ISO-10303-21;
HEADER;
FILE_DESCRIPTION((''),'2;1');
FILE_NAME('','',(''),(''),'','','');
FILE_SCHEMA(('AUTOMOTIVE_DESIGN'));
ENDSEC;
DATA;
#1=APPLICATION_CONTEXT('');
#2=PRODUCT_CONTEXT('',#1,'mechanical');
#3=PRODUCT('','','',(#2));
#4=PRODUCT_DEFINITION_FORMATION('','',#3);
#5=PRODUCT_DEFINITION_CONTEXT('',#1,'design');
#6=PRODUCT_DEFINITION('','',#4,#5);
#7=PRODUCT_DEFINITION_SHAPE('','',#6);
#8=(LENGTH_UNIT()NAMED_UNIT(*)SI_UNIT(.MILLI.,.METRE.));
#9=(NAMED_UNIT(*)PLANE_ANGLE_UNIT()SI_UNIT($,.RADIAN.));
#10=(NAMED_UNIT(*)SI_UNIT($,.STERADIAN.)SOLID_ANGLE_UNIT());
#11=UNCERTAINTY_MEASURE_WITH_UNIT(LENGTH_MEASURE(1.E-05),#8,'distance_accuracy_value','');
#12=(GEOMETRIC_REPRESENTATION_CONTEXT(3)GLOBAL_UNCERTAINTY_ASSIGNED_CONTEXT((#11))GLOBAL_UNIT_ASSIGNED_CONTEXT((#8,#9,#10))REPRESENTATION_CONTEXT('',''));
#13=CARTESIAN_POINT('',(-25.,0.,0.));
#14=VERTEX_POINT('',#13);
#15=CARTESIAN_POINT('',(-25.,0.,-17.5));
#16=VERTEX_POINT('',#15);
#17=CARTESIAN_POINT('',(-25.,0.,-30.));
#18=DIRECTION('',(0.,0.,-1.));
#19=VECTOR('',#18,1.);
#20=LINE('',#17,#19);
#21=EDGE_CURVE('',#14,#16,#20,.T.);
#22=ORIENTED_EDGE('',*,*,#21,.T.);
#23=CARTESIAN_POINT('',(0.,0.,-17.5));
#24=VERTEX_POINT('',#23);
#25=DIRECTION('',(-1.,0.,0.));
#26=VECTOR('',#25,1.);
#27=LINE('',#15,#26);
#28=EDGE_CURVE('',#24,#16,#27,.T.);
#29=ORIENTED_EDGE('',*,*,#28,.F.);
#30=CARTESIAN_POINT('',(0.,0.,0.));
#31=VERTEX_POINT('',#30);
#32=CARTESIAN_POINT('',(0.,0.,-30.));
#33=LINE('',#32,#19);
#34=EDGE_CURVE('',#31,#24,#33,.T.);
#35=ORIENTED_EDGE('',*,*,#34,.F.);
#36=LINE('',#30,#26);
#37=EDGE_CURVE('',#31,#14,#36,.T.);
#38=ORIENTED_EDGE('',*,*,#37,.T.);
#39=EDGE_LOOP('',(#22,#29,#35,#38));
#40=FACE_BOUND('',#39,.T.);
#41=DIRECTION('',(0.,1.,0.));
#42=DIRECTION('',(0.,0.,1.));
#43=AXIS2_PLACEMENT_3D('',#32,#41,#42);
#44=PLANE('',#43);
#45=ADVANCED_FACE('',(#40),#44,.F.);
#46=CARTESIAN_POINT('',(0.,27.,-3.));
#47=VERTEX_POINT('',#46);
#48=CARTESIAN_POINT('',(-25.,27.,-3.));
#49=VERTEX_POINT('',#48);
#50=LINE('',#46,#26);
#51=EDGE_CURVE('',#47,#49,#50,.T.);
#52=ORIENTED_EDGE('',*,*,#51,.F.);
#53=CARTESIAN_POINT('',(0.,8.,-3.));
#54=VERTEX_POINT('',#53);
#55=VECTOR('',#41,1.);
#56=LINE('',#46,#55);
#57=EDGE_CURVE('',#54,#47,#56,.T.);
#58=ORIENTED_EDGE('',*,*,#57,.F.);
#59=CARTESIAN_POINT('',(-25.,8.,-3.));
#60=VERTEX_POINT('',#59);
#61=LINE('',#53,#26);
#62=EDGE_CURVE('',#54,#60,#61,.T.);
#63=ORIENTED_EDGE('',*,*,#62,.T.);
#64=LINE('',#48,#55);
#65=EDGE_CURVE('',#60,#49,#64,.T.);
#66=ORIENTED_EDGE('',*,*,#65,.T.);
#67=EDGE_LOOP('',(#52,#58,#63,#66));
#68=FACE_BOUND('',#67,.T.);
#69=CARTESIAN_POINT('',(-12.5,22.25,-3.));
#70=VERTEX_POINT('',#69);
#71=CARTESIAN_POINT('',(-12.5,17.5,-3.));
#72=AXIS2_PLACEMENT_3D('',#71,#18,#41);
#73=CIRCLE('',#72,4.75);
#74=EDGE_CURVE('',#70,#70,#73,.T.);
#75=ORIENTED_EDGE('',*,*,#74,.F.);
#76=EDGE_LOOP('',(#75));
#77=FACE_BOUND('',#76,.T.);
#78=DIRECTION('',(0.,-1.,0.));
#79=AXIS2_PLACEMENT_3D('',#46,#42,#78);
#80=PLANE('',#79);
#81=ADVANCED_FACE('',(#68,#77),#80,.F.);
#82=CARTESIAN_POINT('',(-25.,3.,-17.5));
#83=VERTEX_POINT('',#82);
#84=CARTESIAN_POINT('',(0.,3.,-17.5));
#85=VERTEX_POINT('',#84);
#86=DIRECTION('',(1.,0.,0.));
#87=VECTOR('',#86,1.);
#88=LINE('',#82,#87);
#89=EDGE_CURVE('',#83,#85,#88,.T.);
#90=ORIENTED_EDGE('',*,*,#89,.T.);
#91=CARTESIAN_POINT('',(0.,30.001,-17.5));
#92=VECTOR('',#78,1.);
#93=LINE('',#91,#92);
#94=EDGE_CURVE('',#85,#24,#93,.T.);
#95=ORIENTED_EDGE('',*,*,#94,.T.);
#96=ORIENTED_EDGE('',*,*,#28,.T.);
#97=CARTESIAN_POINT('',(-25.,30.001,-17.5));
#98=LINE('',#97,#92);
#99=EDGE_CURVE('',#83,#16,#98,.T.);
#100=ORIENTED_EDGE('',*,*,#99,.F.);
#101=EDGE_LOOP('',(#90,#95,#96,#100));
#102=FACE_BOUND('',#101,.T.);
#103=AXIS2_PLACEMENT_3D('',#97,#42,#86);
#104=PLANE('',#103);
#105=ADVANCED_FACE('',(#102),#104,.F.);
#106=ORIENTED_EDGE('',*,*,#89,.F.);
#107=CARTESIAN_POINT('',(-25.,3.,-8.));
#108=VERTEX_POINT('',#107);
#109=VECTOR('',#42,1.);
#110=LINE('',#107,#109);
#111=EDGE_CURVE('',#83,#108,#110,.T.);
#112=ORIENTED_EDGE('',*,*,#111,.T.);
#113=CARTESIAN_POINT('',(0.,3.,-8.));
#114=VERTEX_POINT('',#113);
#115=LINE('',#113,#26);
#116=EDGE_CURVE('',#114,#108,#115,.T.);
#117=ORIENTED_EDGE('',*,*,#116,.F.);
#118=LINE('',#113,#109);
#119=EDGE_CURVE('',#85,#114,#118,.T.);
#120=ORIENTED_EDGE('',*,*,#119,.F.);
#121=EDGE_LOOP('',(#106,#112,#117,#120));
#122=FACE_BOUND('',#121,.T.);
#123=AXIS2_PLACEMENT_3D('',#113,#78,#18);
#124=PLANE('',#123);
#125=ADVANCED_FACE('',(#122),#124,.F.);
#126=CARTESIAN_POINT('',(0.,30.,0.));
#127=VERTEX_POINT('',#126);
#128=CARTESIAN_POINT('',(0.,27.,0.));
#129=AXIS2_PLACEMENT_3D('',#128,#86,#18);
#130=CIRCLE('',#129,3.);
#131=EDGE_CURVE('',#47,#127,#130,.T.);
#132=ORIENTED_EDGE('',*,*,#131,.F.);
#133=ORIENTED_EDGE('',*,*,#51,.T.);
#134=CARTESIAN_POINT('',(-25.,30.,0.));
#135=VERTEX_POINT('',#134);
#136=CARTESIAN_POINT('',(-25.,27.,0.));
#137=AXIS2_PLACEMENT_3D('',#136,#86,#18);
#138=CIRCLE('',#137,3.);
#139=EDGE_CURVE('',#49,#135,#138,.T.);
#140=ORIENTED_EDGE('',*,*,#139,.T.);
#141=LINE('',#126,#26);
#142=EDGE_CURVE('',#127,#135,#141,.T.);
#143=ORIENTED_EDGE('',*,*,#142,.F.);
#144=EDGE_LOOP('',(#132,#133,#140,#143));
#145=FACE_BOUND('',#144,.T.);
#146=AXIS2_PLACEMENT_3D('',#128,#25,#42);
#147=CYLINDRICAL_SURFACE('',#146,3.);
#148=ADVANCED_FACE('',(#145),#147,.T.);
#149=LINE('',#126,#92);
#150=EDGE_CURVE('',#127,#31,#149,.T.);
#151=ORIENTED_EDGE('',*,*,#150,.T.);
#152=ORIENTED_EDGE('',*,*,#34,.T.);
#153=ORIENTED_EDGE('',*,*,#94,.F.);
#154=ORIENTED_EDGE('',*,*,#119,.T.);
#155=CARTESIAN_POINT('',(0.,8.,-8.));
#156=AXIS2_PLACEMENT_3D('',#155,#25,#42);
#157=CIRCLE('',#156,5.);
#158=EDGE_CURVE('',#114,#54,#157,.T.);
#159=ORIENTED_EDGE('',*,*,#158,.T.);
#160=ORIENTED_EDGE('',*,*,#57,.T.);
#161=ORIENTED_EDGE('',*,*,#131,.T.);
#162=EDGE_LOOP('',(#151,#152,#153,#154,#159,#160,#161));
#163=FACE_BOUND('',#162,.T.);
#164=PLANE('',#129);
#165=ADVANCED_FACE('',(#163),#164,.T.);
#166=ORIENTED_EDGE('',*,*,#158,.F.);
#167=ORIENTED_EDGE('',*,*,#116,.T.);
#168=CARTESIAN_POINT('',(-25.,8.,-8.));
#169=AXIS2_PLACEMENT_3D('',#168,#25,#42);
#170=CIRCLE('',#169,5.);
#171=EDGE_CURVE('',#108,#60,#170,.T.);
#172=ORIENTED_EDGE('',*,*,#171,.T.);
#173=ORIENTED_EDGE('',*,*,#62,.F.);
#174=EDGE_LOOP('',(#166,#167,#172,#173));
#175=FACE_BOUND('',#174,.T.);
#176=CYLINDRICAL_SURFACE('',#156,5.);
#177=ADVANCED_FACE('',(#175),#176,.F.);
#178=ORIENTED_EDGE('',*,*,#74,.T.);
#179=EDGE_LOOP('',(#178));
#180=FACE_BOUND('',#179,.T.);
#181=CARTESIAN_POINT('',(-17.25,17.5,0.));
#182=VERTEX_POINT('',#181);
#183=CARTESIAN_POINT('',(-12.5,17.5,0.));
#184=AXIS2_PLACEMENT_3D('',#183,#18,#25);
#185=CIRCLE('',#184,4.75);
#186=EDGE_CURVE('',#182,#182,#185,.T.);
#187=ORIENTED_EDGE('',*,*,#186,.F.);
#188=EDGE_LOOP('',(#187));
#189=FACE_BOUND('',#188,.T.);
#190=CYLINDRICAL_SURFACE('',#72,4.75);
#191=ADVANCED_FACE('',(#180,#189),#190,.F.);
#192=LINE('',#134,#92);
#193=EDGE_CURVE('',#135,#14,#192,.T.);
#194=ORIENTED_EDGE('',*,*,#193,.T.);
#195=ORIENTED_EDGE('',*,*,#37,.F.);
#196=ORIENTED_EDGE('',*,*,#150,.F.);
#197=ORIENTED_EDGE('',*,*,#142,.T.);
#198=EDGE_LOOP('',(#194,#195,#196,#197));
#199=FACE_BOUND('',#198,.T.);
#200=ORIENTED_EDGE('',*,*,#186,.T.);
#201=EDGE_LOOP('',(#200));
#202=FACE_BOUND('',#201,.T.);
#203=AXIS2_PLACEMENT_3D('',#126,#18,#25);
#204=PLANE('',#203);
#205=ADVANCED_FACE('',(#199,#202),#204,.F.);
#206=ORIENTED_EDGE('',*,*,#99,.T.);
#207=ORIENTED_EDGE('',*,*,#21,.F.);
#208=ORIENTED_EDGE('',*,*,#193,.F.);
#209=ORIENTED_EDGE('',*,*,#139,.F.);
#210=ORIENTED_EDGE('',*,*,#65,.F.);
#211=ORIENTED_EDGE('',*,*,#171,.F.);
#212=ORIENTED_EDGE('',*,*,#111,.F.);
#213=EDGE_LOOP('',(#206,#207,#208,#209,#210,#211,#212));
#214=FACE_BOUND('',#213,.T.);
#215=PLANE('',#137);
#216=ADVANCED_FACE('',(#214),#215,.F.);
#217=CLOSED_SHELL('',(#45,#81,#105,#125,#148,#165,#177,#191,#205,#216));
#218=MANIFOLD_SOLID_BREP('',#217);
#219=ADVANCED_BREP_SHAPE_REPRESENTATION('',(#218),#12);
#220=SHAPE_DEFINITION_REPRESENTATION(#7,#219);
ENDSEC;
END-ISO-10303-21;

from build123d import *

# Parameters (mm, degrees)
L_ANGLE_EQUAL_30X30X3_2_DEPTH  = 25
F_9_5_9_5_DIAMETER_HOLE1_D     = 9.5
F_9_5_9_5_DIAMETER_HOLE1_DEPTH = 18
F_9_5_9_5_DIAMETER_HOLE1_TIP   = 2.85408794
CUT_EXTRUDE1_REACH             = 51.244
SKETCH15_W                     = 25
SKETCH15_H                     = 12.5


with BuildPart() as part:
    # Sketch19 → L angle (equal) 30X30X3(2) (new body)
    with BuildSketch(Plane(origin=(-25, 0, 0), x_dir=(0, 0, -1), z_dir=(1, 0, 0))):
        with BuildLine():
            Line((0, 30), (0, 0))
            Line((0, 0), (30, 0))
            ThreePointArc((30, 0), (29.121320344, 2.121320344), (27, 3))
            Line((27, 3), (8, 3))
            ThreePointArc((8, 3), (4.464466094, 4.464466094), (3, 8))
            Line((3, 8), (3, 27))
            ThreePointArc((3, 27), (2.121320344, 29.121320344), (0, 30))
        make_face()
    extrude(amount=L_ANGLE_EQUAL_30X30X3_2_DEPTH)

    # Ø9.5 (9.5) Diameter Hole1
    with Locations(Plane(origin=(0, 0, -3), x_dir=(-1, 0, 0), z_dir=(0, 0, -1))):
        with Locations((12.5, 17.5)):
            Hole(F_9_5_9_5_DIAMETER_HOLE1_D / 2, depth=F_9_5_9_5_DIAMETER_HOLE1_DEPTH)
            with Locations((0, 0, -(F_9_5_9_5_DIAMETER_HOLE1_DEPTH + F_9_5_9_5_DIAMETER_HOLE1_TIP / 2))):  # 118° drill point
                Cone(0, F_9_5_9_5_DIAMETER_HOLE1_D / 2, F_9_5_9_5_DIAMETER_HOLE1_TIP, mode=Mode.SUBTRACT)

    # Sketch15 → Cut-Extrude1 (cut, up to next)
    with BuildSketch(Plane.XZ, mode=Mode.PRIVATE) as cut_extrude1_sk1:
        with Locations((-12.5, -23.75)):
            Rectangle(SKETCH15_W, SKETCH15_H)
    cut_extrude1_tool1 = extrude(cut_extrude1_sk1.sketch, amount=-CUT_EXTRUDE1_REACH, mode=Mode.PRIVATE) & part.part
    add(cut_extrude1_tool1.solids().sort_by_distance((-12.5, 0, -23.75))[0], mode=Mode.SUBTRACT)


solid = part.part
